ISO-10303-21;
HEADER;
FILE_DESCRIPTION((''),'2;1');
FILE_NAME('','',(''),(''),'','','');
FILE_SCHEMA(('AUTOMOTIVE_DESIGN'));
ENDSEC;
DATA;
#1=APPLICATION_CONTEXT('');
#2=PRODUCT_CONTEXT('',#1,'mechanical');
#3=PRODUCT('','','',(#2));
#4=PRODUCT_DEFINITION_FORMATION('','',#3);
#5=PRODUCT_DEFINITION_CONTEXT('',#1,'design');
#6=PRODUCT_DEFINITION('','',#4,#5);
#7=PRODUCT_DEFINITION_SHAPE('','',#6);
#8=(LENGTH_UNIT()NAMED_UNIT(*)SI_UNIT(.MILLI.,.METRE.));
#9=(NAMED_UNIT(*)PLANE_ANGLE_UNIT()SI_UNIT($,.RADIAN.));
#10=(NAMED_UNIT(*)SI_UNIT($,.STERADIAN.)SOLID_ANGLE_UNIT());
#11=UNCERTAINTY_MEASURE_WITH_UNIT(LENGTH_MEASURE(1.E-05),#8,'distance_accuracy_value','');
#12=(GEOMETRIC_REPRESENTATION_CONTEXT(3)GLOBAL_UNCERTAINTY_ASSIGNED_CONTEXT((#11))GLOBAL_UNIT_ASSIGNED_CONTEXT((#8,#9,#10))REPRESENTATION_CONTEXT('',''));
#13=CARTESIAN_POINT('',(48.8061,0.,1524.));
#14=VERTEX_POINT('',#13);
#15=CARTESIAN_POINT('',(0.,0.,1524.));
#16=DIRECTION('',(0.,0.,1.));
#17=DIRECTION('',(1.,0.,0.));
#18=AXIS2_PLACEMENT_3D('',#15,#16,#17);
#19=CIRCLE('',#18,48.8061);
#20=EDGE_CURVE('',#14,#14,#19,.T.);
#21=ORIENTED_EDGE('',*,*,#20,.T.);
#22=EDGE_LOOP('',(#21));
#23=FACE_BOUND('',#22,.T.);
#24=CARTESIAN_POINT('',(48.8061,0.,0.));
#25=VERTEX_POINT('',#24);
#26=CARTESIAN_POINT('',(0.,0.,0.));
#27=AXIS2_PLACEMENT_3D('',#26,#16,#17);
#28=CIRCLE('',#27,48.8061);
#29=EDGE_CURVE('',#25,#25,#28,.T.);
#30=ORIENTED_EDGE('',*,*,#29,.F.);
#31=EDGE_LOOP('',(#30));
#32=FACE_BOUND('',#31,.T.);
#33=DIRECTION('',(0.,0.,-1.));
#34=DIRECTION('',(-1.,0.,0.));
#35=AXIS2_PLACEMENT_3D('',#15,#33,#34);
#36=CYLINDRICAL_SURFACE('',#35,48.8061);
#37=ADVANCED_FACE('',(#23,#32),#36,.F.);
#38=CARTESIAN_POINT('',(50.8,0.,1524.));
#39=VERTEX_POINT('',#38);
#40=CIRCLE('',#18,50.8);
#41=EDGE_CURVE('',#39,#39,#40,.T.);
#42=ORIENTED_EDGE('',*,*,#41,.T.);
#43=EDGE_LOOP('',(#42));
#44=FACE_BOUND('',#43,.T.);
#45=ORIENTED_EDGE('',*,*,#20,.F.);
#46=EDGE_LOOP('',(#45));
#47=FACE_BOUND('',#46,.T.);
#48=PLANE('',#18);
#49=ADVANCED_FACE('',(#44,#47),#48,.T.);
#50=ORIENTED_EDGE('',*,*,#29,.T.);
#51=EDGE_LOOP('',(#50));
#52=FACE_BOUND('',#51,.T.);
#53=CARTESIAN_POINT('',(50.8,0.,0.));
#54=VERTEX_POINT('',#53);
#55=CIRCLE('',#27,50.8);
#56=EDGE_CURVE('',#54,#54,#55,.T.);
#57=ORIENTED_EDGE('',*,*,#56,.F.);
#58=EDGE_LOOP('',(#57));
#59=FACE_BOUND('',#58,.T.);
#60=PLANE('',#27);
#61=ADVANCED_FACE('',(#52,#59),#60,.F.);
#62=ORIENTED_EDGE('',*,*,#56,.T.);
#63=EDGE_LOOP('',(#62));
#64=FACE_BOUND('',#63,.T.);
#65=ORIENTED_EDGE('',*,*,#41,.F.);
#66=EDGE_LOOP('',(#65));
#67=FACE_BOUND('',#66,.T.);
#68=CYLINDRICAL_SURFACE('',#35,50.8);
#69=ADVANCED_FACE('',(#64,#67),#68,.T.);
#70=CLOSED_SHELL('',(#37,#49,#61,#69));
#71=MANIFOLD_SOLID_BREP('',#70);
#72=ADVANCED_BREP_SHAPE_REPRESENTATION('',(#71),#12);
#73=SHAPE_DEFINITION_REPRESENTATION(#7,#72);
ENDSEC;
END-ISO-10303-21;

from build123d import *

# Parameters (mm, degrees)
SKETCH1_R           = 50.8
SKETCH1_R_2         = 48.8061
BOSS_EXTRUDE1_DEPTH = 1524


with BuildPart() as part:
    # Sketch1 → Boss-Extrude1 (new body)
    with BuildSketch(Plane.XY):
        Circle(SKETCH1_R)
        Circle(SKETCH1_R_2, mode=Mode.SUBTRACT)
    extrude(amount=BOSS_EXTRUDE1_DEPTH)


solid = part.part
